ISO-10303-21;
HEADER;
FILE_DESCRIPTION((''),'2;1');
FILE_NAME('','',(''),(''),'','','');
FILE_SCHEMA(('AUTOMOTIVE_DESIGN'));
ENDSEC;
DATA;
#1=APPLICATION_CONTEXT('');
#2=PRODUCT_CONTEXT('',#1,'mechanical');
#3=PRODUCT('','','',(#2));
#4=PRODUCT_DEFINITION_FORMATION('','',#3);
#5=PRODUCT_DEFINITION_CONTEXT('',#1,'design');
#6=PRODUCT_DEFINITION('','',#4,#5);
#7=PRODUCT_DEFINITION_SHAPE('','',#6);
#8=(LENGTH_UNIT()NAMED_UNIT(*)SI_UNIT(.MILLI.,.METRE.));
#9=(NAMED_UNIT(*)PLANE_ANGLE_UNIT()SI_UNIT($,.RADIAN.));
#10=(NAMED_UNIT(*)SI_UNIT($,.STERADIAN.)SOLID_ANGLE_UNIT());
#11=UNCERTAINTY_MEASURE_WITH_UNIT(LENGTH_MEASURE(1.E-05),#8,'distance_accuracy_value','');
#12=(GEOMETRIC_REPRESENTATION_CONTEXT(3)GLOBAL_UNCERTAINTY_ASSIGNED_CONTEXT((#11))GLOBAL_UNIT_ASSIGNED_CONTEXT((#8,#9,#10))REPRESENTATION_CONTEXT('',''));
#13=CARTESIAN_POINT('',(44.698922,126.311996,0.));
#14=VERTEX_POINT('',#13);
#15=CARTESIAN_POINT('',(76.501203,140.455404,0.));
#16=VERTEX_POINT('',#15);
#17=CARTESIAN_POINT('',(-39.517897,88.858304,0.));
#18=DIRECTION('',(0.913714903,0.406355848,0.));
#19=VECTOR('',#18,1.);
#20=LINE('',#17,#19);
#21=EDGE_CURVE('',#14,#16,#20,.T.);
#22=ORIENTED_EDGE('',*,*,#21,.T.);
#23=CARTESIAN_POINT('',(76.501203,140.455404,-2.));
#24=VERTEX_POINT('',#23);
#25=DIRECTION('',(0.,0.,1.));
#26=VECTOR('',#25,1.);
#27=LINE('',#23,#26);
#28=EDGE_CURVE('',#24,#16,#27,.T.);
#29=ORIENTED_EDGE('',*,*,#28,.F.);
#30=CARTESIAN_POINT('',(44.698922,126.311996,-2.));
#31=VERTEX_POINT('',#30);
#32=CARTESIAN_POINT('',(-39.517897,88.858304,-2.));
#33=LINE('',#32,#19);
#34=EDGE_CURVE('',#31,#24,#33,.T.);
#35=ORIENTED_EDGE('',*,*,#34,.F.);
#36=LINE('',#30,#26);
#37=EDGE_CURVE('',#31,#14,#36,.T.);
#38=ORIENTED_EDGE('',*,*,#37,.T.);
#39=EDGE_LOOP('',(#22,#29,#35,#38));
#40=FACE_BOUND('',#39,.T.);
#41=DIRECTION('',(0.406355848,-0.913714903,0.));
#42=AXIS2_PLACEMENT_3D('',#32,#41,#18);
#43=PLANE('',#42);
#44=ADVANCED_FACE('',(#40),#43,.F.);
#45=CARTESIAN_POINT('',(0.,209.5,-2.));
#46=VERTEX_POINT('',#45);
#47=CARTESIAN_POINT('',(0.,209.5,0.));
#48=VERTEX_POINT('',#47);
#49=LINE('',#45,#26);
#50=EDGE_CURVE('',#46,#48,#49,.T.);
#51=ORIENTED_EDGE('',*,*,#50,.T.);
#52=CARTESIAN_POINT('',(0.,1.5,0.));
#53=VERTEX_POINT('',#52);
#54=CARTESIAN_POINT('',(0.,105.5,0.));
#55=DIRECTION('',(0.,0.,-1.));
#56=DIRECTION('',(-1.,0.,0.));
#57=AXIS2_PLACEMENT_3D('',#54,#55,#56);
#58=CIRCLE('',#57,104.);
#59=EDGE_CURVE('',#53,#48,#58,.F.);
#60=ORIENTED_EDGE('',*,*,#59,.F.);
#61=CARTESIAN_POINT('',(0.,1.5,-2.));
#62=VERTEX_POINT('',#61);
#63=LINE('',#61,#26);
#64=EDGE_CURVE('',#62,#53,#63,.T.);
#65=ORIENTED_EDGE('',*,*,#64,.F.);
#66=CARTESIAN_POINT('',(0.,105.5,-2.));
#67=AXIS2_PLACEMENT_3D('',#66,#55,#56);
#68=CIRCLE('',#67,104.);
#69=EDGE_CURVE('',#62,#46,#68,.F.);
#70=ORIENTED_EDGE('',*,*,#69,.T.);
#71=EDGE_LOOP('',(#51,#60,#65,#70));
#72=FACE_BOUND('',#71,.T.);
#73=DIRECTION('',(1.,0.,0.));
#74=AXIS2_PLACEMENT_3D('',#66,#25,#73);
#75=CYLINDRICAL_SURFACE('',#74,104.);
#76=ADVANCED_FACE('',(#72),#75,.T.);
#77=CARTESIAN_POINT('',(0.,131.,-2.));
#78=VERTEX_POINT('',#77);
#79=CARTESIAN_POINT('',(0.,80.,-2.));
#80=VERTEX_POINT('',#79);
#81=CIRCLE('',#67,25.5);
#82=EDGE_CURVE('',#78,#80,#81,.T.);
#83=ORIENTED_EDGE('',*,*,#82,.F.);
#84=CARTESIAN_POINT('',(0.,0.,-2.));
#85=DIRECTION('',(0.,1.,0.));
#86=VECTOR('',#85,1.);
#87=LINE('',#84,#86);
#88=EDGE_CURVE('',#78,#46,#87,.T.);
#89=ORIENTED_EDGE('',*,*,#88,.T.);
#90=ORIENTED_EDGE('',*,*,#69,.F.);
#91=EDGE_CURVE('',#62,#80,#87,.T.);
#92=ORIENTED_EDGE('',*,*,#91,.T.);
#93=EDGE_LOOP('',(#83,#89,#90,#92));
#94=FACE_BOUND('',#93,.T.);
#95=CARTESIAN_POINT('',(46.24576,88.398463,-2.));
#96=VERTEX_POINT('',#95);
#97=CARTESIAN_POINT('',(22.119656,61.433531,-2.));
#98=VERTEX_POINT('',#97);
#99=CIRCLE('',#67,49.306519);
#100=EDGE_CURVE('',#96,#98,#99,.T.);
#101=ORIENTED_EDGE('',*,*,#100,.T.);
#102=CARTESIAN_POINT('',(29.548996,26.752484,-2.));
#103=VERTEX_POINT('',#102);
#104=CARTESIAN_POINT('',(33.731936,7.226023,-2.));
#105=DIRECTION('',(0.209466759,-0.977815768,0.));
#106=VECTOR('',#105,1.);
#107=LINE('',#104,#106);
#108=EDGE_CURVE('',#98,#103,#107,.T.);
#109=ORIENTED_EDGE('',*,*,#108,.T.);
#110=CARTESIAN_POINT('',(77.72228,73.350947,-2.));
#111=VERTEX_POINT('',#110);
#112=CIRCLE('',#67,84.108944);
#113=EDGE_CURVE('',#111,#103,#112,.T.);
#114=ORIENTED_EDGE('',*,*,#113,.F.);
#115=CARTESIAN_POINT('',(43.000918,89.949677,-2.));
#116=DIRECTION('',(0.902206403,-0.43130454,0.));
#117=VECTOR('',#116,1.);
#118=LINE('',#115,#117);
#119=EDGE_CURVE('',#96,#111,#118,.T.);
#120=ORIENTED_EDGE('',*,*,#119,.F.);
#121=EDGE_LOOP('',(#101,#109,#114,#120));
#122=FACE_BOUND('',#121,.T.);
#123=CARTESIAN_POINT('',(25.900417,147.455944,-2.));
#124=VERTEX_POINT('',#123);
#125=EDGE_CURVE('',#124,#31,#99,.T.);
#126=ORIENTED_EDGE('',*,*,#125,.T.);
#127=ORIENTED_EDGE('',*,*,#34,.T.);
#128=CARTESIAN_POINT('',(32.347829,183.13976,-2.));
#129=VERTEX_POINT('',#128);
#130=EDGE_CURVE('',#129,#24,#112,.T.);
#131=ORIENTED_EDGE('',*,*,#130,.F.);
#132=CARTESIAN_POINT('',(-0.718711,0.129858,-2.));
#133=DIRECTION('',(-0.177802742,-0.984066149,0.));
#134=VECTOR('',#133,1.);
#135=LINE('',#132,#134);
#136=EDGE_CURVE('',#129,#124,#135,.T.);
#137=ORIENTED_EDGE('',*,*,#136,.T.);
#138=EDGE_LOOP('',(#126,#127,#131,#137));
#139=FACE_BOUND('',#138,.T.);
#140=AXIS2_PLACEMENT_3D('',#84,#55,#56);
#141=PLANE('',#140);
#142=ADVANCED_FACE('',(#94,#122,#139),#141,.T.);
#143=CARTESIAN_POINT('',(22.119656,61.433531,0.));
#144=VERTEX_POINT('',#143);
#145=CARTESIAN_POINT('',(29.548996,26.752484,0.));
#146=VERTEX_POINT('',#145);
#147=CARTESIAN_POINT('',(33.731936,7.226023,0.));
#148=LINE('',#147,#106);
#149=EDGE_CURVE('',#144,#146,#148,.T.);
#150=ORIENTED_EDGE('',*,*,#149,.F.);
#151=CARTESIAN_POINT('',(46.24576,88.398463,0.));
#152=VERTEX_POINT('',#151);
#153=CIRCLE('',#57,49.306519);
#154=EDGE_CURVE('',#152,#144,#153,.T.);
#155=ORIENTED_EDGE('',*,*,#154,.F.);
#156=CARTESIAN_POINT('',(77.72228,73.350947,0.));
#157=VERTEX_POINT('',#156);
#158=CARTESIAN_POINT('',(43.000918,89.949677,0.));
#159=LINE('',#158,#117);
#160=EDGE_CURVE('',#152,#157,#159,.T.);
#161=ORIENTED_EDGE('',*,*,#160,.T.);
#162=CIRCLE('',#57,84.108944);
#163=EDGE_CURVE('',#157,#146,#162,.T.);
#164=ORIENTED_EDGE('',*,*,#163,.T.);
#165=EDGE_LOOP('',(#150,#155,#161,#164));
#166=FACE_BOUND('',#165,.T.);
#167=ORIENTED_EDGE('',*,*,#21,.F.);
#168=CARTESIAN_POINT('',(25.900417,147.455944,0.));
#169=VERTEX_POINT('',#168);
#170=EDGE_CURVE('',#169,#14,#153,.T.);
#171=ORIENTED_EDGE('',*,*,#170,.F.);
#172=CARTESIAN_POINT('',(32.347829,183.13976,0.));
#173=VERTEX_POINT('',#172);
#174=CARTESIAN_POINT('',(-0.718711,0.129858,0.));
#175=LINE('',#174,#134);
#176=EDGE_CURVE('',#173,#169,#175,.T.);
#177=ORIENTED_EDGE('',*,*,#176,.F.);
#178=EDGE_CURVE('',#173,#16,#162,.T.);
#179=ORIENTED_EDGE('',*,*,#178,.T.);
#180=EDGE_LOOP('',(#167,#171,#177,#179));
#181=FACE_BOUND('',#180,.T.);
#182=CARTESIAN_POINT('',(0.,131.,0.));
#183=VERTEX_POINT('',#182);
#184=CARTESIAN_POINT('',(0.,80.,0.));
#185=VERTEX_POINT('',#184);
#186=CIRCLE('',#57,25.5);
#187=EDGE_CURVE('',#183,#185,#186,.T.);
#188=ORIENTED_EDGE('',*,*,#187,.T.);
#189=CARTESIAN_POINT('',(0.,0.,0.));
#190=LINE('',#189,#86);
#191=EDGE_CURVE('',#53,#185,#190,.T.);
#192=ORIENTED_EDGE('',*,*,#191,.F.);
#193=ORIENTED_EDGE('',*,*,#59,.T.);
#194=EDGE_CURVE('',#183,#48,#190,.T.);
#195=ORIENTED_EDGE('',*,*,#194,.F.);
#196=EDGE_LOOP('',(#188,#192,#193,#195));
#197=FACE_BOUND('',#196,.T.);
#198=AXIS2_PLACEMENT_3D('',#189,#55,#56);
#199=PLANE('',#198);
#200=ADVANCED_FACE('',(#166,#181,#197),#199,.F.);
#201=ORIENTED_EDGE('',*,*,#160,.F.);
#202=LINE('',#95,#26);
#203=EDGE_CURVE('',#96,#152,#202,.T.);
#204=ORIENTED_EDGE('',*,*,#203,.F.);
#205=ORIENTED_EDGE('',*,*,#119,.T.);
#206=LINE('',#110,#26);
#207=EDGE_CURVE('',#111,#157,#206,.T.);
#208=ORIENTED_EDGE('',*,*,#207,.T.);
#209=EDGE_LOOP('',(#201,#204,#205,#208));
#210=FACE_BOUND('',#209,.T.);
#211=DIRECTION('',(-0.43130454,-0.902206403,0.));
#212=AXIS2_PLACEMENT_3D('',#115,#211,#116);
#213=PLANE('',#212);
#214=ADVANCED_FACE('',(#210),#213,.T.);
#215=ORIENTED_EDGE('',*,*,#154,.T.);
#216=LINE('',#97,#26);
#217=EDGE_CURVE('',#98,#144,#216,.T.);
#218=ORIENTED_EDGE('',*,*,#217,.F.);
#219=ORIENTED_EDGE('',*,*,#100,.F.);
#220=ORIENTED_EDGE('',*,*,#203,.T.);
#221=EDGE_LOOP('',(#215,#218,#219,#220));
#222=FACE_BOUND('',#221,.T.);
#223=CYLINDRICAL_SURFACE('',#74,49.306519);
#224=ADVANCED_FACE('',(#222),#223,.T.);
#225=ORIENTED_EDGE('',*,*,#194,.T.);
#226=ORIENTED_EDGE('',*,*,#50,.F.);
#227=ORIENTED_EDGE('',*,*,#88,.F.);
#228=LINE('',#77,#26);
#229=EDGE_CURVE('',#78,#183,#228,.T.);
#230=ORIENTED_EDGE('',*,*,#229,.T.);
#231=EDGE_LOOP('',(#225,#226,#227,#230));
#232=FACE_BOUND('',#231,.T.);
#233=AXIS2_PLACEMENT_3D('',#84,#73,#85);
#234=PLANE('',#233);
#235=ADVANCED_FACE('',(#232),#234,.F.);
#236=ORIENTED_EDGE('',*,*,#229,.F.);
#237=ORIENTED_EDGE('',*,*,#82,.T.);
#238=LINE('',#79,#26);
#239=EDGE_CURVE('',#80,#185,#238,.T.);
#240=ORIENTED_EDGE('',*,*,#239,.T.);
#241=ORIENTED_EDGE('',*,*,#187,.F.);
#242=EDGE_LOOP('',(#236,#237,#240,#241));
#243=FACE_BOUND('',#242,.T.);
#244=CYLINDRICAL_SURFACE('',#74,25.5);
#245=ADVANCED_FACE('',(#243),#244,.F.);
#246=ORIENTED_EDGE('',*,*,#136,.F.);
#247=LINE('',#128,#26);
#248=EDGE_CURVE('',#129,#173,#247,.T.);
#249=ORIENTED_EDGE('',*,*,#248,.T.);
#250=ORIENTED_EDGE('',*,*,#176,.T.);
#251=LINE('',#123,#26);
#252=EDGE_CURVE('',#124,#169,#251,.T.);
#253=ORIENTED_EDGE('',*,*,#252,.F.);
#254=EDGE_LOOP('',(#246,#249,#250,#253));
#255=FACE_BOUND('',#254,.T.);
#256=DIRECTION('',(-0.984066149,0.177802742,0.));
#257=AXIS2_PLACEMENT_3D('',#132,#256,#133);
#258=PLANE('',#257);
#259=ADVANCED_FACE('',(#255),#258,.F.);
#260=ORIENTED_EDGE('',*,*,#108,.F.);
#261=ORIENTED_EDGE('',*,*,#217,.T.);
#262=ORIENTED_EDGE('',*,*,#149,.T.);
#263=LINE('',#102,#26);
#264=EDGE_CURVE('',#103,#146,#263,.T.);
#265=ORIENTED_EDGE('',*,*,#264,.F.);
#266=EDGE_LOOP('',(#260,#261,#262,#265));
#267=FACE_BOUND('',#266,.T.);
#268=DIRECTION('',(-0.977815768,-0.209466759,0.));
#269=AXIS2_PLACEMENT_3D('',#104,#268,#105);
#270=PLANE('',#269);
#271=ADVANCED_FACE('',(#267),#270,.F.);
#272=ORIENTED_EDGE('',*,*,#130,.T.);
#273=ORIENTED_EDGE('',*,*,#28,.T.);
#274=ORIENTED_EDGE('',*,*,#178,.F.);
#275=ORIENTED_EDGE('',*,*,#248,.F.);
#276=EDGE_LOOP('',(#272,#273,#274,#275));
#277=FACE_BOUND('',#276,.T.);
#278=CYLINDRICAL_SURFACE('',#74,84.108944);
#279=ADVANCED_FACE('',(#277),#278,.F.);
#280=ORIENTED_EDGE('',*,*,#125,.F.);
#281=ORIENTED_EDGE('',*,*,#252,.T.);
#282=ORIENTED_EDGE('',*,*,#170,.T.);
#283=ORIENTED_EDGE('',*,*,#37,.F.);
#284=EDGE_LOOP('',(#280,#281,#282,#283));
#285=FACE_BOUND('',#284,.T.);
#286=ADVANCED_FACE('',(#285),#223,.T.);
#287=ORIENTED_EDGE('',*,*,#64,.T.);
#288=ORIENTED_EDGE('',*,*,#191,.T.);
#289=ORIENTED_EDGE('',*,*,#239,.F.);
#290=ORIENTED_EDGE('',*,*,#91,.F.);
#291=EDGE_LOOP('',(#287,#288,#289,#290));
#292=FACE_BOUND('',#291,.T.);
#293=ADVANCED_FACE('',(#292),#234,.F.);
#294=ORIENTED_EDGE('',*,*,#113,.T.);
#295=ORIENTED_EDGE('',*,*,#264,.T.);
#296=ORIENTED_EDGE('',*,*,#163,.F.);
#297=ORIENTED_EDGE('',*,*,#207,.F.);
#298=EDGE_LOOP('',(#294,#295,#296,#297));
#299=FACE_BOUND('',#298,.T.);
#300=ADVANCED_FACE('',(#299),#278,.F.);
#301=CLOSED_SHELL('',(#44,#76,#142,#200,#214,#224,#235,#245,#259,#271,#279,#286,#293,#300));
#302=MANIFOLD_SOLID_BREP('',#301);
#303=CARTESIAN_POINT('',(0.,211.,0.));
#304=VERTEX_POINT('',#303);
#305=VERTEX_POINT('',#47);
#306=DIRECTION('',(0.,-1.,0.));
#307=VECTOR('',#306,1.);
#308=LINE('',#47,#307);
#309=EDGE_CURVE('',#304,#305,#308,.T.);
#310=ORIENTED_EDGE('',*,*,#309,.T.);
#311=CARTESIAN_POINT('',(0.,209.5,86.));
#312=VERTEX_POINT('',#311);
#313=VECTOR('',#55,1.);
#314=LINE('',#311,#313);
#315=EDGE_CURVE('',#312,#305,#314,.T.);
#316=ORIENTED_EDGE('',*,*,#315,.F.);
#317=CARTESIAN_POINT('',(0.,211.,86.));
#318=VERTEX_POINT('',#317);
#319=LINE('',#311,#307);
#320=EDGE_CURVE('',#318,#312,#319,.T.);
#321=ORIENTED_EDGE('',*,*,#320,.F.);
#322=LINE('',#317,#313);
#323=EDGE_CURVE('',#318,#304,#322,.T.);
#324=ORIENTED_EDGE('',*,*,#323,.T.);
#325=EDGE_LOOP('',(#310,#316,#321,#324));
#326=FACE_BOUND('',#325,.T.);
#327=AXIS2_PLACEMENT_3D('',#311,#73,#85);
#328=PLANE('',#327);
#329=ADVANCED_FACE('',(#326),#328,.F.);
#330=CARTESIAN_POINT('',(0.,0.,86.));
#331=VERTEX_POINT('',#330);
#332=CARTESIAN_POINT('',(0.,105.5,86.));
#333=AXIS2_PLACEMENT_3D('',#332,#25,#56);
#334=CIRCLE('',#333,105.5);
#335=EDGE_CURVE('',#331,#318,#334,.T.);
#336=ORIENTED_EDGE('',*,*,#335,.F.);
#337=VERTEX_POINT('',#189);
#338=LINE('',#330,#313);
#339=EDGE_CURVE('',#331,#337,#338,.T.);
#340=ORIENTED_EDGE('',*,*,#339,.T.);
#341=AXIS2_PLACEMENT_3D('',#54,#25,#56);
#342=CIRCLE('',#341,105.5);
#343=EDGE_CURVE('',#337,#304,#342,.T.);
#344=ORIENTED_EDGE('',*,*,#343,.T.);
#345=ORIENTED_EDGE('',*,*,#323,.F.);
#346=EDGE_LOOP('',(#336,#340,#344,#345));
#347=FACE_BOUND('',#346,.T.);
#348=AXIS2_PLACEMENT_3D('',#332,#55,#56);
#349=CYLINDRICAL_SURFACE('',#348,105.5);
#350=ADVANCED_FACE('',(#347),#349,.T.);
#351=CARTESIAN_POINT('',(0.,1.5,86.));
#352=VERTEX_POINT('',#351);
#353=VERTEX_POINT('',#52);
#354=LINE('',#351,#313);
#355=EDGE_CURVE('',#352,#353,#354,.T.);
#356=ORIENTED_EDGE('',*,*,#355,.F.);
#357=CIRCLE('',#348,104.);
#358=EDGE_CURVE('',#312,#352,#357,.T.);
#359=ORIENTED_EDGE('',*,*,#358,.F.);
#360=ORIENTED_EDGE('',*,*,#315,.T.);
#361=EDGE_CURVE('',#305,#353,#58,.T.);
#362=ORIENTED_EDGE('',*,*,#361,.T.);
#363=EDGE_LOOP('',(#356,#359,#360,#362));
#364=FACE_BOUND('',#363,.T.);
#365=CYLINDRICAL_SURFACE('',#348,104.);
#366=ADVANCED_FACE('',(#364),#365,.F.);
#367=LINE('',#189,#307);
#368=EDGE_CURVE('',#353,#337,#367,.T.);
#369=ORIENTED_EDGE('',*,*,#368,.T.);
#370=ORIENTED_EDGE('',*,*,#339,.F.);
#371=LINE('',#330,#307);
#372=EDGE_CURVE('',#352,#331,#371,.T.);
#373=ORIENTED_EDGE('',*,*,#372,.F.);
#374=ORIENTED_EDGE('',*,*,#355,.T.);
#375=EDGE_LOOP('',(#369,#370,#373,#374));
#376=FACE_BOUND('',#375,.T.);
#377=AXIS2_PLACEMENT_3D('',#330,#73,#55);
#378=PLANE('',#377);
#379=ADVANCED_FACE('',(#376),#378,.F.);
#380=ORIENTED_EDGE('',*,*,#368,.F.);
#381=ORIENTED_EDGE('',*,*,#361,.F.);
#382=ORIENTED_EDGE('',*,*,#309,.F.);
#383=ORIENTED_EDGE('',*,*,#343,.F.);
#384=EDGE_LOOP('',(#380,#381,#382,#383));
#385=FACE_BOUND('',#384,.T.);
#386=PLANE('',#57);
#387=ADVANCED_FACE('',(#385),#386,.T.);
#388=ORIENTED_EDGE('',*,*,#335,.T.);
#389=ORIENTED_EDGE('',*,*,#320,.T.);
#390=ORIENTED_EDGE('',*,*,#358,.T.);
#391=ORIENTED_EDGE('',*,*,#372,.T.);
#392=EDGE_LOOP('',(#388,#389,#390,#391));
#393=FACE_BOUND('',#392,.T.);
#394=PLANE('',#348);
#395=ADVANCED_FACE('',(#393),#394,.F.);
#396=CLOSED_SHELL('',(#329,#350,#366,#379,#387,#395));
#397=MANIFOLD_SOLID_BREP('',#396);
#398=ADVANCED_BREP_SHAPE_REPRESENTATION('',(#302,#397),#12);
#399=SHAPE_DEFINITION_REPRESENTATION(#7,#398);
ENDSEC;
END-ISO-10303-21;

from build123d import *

# Parameters (mm, degrees)
BOSS_EXTRUDE2_DEPTH = 86
BOSS_EXTRUDE3_DEPTH = 2


with BuildPart() as part:
    # Sketch1 → Boss-Extrude2 (new body)
    with BuildSketch(Plane.XY):
        with BuildLine():
            Line((0, 0), (0, 1.5))
            ThreePointArc((0, 1.5), (104, 105.5), (0, 209.5))
            Line((0, 209.5), (0, 211))
            ThreePointArc((0, 211), (105.5, 105.5), (0, 0))
        make_face()
    extrude(amount=BOSS_EXTRUDE2_DEPTH)


with BuildPart() as body_2:
    # Sketch2 → Boss-Extrude3 (new body)
    with BuildSketch(Plane(origin=(0, 0, 0), x_dir=(-1, 0, 0), z_dir=(0, 0, -1))):
        with BuildLine():
            ThreePointArc((0, 209.5), (-104, 105.5), (0, 1.5))
            Line((0, 1.5), (0, 80))
            ThreePointArc((0, 80), (-25.5, 105.5), (0, 131))
            Line((0, 131), (0, 209.5))
        make_face()
        with BuildLine():
            ThreePointArc((-46.245759675, 88.398463435), (-36.745535683, 72.622979938), (-22.119655523, 61.433531111))
            Line((-22.119655523, 61.433531111), (-29.548996217, 26.752484238))
            ThreePointArc((-29.548996217, 26.752484238), (-58.477652485, 45.046062362), (-77.722279832, 73.350946611))
            Line((-77.722279832, 73.350946611), (-46.245759675, 88.398463435))
        make_face(mode=Mode.SUBTRACT)
        with BuildLine():
            ThreePointArc((-76.501203433, 140.455404294), (-58.459528985, 165.97146341), (-32.347829053, 183.13976025))
            Line((-32.347829053, 183.13976025), (-25.900416602, 147.455944282))
            ThreePointArc((-25.900416602, 147.455944282), (-36.848789706, 138.261250556), (-44.698922375, 126.311996043))
            Line((-44.698922375, 126.311996043), (-76.501203433, 140.455404294))
        make_face(mode=Mode.SUBTRACT)
    extrude(amount=BOSS_EXTRUDE3_DEPTH)


solid = Compound([part.part, body_2.part])
